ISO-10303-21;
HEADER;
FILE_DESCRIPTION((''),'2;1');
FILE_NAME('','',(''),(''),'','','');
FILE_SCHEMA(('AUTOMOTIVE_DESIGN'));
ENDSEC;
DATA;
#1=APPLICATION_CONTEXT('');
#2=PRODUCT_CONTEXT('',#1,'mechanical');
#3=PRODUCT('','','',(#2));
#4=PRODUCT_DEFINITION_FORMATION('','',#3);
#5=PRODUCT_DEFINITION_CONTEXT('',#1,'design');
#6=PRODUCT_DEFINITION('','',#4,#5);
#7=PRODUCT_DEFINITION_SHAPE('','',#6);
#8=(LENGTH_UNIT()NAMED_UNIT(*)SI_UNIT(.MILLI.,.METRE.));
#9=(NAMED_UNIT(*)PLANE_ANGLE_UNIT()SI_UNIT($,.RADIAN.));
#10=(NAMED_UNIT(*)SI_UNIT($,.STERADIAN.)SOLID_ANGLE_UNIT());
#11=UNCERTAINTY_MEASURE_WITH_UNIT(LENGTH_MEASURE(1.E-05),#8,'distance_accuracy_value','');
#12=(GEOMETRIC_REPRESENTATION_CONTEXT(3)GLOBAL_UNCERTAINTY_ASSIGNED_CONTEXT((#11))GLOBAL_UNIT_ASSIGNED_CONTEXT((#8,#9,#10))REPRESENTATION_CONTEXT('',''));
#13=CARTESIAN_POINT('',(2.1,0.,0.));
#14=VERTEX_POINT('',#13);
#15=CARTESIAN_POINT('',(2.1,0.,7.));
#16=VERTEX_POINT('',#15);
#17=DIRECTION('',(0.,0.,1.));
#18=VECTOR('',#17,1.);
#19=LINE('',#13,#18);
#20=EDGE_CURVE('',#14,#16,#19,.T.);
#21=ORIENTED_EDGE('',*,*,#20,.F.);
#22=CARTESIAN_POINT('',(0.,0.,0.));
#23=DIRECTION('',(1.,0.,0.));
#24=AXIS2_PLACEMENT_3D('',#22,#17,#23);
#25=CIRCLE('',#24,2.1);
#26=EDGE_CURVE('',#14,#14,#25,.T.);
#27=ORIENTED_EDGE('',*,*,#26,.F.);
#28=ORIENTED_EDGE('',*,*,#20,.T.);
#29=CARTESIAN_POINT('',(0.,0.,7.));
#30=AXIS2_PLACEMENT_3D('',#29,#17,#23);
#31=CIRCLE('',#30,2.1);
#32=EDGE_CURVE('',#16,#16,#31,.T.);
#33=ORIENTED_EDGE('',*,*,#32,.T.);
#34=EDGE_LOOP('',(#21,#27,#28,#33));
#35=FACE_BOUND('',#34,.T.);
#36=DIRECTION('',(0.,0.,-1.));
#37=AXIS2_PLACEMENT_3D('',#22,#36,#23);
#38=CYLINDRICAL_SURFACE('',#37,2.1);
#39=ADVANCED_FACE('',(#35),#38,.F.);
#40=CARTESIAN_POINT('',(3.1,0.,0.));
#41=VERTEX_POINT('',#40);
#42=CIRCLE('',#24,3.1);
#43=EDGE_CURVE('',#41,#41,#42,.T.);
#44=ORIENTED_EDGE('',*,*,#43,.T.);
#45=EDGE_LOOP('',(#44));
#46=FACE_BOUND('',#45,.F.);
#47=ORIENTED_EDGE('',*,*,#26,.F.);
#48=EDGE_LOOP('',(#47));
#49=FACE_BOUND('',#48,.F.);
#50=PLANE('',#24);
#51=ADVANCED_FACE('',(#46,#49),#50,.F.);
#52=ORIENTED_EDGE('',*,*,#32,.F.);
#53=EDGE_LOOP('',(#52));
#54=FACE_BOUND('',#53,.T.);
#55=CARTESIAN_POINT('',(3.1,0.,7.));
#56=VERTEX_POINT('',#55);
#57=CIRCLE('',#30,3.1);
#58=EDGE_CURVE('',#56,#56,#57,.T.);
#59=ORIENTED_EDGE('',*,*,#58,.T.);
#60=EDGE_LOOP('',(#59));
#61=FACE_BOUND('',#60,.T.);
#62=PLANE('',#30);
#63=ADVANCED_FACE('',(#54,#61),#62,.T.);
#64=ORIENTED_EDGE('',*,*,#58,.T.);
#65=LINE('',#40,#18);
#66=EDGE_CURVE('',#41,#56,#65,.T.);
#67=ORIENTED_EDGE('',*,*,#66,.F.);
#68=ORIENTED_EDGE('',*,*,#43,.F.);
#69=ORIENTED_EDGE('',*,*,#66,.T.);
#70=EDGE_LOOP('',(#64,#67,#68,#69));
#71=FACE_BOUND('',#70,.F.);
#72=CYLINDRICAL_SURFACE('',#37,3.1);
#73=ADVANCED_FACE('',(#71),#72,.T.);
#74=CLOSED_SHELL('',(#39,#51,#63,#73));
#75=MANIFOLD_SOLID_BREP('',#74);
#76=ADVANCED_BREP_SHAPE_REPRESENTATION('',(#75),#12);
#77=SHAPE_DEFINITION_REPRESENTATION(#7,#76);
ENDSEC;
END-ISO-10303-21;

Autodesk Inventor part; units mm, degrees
ref_plane "YZ Plane" through (0, 0, 0) normal (1, 0, 0) x (0, 1, 0)
ref_plane "XZ Plane" through (0, 0, 0) normal (0, 1, 0) x (-1, 0, 0)
ref_plane "XY Plane" through (0, 0, 0) normal (0, 0, 1) x (1, 0, 0)
sketch "Skizze1" plane through (0, 0, 0) normal (0, 0, 1) x (1, 0, 0)
  circle A0 centre (0, 0) radius 2.1
  circle A1 centre (0, 0) radius 3.1
  dimension "d0" = 4.2
  dimension "d4" = 6.2
extrude "Extrusion1" add sketch "Skizze1" along normal blind 7
properties part number "BushOmniWheelV3"
